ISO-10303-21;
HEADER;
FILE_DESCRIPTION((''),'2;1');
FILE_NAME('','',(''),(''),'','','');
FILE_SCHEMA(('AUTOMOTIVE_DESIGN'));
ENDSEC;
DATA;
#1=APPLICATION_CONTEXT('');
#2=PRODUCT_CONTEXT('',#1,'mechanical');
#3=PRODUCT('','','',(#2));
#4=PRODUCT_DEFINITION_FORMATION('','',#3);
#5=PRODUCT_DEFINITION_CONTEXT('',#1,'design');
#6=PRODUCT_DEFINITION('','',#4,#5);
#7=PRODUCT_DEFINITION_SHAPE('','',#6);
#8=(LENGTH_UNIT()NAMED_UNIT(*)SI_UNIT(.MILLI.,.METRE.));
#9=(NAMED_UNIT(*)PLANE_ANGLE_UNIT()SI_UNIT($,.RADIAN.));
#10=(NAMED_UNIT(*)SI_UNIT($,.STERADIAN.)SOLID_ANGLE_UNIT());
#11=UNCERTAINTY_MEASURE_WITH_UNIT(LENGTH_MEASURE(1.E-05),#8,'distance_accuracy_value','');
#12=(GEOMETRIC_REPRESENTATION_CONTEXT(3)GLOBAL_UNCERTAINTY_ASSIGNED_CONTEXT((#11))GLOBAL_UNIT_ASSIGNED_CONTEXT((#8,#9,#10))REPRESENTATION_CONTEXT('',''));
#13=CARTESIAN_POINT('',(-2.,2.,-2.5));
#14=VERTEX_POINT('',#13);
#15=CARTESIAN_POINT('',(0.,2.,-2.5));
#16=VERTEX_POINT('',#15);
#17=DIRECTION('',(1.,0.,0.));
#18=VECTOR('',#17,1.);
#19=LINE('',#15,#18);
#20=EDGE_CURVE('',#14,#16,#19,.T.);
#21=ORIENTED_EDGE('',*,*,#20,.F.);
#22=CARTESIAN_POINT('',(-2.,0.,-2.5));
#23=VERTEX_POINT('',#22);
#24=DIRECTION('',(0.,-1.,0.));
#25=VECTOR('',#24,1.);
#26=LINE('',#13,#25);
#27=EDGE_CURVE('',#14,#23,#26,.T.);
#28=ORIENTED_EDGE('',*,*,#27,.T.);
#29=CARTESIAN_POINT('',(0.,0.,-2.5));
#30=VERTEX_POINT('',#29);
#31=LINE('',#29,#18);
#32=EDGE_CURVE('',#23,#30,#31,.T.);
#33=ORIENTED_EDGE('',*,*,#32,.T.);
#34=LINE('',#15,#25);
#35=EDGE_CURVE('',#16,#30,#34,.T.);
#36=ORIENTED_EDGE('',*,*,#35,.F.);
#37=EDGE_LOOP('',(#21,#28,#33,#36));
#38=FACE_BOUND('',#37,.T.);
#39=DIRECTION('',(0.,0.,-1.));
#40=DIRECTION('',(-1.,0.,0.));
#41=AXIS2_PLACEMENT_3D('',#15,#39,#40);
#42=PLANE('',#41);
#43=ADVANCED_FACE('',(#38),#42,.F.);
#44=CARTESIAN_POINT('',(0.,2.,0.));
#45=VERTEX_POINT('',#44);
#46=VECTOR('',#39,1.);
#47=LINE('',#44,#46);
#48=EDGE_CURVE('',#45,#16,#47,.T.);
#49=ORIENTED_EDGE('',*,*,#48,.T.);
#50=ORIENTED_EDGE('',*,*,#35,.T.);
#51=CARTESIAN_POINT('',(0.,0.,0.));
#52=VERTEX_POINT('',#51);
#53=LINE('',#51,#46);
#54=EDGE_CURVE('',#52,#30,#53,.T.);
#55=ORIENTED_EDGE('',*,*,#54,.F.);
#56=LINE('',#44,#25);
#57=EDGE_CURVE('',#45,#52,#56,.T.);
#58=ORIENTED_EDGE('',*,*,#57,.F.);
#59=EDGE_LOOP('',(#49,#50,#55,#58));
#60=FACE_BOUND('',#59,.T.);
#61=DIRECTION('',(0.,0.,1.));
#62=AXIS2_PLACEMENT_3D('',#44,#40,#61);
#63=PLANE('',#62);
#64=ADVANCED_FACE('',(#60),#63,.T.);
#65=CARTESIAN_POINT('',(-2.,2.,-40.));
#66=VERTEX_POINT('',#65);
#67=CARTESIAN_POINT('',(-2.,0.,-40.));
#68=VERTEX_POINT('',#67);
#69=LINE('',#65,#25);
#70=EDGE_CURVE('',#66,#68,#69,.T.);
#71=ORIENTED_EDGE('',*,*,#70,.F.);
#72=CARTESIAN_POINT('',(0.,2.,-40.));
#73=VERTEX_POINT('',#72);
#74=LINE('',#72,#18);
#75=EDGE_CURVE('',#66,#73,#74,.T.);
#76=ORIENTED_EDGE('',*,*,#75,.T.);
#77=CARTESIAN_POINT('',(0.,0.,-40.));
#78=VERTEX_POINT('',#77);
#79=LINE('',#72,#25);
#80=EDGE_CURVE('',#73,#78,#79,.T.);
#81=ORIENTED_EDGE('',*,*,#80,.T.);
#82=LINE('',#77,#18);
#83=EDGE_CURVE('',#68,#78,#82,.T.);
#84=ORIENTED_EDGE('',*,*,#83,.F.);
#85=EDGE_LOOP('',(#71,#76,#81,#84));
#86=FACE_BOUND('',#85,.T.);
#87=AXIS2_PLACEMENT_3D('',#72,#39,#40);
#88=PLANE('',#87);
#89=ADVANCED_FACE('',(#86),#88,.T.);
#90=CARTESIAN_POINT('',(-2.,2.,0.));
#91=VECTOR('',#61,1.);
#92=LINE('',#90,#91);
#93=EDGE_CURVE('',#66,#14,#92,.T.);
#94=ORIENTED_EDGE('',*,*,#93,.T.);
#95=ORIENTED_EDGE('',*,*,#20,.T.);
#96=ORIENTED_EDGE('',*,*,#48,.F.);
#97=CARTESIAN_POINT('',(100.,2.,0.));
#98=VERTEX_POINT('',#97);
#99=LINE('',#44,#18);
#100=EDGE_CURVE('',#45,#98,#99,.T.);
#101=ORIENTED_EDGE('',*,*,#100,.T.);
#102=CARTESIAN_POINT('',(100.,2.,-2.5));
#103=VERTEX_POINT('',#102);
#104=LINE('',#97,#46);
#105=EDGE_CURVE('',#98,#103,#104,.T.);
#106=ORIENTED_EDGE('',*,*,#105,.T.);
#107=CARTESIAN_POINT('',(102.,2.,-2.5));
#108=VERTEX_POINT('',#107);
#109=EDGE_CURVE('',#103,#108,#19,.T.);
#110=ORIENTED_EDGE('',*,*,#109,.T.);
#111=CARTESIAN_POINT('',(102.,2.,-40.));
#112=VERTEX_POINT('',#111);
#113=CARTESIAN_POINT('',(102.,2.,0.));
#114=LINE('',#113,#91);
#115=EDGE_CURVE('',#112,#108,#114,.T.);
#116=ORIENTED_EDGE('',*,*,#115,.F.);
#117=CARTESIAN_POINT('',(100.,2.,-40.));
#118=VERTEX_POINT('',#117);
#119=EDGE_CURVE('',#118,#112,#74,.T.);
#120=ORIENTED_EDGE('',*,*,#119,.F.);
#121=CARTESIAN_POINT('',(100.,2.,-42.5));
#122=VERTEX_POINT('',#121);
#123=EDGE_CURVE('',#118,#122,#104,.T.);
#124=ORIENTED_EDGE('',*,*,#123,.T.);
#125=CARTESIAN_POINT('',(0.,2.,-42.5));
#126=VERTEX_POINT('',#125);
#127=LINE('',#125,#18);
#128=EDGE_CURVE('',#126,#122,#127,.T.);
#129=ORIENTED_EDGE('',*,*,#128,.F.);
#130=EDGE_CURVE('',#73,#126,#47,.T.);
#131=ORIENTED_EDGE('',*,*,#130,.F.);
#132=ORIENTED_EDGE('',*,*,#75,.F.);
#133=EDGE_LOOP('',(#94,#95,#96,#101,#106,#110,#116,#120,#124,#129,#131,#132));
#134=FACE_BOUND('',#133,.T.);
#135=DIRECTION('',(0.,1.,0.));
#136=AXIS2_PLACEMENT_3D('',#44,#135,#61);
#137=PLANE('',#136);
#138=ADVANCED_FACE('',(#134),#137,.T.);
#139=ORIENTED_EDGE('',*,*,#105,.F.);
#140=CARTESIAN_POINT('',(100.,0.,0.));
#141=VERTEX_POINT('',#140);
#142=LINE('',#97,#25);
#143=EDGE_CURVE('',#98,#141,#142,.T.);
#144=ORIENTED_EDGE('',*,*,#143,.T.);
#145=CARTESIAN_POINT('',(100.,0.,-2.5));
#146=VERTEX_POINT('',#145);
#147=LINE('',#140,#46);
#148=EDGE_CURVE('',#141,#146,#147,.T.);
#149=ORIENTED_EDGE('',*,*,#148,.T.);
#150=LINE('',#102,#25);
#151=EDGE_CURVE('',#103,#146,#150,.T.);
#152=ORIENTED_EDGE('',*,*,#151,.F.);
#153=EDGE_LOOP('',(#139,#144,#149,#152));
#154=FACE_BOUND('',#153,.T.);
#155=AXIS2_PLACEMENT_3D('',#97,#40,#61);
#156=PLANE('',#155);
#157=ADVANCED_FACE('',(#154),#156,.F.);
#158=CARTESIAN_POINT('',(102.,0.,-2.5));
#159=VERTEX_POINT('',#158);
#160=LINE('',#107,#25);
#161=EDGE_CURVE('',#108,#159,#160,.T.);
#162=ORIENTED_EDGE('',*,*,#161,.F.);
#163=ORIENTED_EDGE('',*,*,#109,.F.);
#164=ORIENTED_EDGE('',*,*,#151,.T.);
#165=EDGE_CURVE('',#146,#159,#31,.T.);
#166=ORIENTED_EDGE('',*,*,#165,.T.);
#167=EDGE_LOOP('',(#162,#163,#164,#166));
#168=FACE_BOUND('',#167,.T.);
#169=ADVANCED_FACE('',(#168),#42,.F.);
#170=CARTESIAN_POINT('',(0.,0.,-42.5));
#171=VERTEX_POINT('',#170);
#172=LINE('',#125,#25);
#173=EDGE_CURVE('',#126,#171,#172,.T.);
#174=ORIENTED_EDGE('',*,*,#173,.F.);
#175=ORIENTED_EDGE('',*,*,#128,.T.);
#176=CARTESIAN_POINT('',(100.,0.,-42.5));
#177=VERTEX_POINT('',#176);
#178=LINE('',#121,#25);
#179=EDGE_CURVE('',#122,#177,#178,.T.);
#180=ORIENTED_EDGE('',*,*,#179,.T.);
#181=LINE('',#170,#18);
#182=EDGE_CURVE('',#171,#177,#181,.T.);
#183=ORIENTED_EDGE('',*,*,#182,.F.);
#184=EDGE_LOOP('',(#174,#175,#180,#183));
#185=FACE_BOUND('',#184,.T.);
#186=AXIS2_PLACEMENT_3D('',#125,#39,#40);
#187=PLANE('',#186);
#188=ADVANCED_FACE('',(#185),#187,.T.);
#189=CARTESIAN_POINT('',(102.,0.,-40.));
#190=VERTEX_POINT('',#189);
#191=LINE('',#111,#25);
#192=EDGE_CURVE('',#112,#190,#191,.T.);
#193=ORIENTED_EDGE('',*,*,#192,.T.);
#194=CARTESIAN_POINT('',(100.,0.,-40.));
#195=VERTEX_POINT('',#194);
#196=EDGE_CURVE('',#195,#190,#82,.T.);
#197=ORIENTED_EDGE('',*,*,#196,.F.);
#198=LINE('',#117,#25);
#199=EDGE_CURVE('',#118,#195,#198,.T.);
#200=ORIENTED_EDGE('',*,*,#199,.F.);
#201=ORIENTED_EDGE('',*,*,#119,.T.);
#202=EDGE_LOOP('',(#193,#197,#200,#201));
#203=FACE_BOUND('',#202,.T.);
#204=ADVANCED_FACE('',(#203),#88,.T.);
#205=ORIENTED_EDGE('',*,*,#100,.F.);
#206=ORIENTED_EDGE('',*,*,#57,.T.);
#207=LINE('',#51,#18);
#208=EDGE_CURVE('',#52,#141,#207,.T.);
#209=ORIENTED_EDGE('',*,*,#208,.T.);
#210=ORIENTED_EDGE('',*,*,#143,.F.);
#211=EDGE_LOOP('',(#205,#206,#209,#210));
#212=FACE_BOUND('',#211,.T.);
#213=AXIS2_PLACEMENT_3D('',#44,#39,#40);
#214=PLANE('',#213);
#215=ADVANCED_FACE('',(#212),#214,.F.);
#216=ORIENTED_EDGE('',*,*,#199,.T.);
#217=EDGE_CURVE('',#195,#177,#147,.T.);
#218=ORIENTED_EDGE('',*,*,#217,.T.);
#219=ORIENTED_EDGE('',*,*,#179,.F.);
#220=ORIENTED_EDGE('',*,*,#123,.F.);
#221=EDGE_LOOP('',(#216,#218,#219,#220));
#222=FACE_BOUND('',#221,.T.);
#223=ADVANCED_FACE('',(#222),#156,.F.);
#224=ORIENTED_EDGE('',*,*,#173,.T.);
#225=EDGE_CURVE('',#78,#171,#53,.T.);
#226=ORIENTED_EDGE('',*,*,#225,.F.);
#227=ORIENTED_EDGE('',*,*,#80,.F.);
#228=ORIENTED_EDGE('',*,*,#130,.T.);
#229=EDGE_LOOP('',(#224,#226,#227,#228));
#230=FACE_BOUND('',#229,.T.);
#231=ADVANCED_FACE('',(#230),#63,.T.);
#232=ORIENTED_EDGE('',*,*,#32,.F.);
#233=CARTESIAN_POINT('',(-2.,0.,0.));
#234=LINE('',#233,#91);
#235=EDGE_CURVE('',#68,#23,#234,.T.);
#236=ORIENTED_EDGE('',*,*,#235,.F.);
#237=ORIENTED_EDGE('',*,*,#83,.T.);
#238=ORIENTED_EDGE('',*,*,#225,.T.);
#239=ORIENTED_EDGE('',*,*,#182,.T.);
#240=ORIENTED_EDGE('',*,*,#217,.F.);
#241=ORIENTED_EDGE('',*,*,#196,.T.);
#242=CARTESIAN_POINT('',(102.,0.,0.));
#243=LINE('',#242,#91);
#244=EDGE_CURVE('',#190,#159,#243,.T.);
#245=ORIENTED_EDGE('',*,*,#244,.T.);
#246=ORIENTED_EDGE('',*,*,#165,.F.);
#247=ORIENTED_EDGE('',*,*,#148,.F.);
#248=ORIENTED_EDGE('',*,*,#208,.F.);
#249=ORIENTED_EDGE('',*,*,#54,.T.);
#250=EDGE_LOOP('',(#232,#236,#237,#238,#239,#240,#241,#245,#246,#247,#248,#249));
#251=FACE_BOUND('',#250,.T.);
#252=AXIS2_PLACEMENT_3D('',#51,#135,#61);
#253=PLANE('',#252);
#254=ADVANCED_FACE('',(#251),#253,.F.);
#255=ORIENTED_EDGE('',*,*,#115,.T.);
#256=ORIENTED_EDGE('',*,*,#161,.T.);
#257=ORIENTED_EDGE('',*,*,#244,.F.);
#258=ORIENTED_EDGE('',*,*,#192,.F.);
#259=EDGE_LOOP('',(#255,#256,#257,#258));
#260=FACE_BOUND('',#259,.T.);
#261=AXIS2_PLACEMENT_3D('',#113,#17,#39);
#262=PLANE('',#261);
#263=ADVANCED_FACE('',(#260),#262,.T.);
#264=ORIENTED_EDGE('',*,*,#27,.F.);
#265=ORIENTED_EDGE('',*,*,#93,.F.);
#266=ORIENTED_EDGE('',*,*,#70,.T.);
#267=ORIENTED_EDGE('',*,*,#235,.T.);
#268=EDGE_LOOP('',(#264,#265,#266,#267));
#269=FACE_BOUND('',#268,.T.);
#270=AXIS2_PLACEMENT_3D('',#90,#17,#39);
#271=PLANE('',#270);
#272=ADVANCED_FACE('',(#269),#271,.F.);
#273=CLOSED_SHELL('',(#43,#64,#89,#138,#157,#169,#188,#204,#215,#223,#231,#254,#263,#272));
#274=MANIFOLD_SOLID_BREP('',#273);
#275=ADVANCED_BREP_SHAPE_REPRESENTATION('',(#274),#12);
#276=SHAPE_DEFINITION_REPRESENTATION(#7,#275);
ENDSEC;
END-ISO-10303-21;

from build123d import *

# Parameters (mm, degrees)
SKETCH_1_W      = 2
SKETCH_1_H      = 37.5
SKETCH_1_W_2    = 100
SKETCH_1_H_2    = 42.5
EXTRUDE_1_DEPTH = 2


with BuildPart() as part:
    # 草图1 → 凸台-拉伸1 (new body)
    with BuildSketch(Plane(origin=(0, 0, 0), x_dir=(1, 0, 0), z_dir=(0, 1, 0))):
        with Locations((-1, 21.25)):
            Rectangle(SKETCH_1_W, SKETCH_1_H)
        with Locations((50, 21.25)):
            Rectangle(SKETCH_1_W_2, SKETCH_1_H_2)
        with Locations((101, 21.25)):
            Rectangle(SKETCH_1_W, SKETCH_1_H)
    extrude(amount=EXTRUDE_1_DEPTH)


solid = part.part
